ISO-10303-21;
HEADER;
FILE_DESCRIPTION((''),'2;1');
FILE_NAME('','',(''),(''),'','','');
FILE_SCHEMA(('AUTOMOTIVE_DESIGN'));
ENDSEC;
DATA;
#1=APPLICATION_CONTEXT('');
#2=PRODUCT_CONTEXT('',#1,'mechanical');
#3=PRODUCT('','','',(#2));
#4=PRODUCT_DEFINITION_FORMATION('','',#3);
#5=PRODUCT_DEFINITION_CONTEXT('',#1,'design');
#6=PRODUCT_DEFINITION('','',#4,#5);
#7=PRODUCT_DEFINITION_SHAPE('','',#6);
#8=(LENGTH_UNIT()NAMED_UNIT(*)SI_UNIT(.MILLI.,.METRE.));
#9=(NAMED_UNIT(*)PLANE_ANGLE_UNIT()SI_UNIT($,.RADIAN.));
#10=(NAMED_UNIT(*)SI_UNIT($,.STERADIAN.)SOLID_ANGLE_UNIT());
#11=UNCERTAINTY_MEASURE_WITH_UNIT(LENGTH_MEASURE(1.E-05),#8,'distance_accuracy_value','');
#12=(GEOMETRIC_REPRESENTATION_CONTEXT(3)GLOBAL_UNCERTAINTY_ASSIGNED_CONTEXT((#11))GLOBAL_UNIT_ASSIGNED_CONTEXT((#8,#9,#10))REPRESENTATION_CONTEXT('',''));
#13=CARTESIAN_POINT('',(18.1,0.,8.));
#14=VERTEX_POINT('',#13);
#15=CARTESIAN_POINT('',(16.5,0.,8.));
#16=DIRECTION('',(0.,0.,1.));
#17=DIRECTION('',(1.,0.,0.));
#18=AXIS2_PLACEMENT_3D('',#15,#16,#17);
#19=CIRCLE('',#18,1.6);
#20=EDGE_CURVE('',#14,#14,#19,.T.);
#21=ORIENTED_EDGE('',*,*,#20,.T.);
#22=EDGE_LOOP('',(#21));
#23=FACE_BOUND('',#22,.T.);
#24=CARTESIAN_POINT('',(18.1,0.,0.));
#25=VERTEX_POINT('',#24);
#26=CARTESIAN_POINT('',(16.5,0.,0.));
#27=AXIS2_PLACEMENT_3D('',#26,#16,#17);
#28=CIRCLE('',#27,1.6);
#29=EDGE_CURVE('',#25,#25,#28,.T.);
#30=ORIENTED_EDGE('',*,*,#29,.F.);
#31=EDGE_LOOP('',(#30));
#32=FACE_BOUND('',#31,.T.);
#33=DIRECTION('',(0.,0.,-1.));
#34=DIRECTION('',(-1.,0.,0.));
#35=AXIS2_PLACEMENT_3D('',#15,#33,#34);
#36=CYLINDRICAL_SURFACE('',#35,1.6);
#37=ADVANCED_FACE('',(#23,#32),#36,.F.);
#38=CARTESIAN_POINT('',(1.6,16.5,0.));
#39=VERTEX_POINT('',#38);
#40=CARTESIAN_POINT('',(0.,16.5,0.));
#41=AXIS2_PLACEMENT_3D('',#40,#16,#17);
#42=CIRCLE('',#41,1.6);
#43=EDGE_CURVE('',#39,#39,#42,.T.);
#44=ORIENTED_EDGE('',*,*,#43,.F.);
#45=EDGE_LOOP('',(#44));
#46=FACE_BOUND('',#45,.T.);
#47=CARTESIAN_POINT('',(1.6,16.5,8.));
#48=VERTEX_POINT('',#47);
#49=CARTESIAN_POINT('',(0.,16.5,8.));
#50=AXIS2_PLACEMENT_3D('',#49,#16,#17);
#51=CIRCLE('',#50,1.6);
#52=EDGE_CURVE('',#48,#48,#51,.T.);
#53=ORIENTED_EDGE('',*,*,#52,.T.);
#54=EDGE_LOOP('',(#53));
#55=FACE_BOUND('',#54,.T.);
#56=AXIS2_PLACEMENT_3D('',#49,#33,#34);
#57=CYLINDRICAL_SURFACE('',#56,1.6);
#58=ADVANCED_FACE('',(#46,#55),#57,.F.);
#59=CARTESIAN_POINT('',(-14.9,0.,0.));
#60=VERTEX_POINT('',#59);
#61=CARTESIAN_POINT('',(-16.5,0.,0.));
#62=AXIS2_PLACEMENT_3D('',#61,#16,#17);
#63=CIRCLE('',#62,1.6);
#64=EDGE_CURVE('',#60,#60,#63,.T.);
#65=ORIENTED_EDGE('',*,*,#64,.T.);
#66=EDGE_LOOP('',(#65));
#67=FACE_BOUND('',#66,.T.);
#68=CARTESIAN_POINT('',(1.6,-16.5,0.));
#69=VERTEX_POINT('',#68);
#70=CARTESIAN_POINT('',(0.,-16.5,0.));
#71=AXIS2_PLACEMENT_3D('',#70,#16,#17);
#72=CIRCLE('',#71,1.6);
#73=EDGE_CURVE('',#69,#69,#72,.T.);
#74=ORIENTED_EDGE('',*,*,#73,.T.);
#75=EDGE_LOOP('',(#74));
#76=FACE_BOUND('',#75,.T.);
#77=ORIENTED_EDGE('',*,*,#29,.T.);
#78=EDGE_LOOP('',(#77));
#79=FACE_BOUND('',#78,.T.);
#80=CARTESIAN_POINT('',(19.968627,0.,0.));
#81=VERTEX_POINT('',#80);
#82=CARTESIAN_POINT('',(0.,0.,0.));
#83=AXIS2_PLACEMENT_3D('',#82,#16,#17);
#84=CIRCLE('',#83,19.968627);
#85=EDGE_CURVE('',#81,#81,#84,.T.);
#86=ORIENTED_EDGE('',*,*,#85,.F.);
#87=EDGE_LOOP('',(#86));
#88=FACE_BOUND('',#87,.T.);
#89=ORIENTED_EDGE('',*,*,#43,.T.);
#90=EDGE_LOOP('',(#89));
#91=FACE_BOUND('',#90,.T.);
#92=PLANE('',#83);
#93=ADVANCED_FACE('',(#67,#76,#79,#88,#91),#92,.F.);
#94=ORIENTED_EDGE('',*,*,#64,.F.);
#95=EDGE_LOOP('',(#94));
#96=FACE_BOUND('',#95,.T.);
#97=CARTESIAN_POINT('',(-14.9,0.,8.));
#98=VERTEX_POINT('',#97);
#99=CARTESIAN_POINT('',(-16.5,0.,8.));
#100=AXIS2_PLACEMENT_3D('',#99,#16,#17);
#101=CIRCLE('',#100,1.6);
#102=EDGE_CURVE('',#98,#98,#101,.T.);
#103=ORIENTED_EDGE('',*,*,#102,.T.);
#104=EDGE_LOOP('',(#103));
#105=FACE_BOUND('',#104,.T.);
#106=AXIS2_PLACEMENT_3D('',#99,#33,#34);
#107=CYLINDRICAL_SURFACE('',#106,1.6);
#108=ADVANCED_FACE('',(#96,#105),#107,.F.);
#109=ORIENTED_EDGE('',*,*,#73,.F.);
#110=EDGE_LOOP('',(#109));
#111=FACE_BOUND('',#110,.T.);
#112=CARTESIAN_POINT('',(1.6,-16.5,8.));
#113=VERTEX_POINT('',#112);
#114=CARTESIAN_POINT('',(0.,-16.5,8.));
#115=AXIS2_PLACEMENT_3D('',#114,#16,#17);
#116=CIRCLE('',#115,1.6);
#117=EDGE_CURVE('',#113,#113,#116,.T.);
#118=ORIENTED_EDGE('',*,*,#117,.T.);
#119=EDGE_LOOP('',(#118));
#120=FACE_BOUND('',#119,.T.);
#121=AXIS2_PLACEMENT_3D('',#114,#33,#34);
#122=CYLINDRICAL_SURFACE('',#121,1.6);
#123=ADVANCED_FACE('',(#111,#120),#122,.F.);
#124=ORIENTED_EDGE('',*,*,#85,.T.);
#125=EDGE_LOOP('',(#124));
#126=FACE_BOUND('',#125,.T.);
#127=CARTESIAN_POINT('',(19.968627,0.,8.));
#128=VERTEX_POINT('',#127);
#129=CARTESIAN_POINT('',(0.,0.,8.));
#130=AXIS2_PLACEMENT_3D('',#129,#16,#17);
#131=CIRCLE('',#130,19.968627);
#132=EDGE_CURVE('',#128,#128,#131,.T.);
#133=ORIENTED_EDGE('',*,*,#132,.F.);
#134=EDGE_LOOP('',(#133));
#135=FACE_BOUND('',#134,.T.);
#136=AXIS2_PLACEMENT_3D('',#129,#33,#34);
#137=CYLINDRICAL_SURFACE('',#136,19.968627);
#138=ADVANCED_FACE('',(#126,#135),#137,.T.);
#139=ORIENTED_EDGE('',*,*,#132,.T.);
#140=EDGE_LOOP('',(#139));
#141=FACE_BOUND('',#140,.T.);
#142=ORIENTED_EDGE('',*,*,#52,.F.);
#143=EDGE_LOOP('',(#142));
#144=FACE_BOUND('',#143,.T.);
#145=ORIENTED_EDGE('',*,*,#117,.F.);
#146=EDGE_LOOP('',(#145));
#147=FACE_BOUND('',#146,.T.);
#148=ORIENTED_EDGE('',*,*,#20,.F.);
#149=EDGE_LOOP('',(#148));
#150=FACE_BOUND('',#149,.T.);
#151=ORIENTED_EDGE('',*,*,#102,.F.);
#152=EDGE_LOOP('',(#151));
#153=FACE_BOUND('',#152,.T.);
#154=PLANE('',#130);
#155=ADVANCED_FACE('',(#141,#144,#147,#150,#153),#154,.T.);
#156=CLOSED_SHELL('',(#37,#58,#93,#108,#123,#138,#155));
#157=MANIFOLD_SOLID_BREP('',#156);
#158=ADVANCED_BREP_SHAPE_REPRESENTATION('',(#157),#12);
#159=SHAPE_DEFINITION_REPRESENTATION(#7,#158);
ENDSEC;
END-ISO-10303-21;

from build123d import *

# Parameters (mm, degrees)
SKETCH2_R           = 19.968626967
SKETCH2_R_2         = 1.6
BOSS_EXTRUDE1_DEPTH = 8


with BuildPart() as part:
    # Sketch2 → Boss-Extrude1 (new body)
    with BuildSketch(Plane.XY):
        Circle(SKETCH2_R)
        with Locations((0, -16.5)):
            Circle(SKETCH2_R_2, mode=Mode.SUBTRACT)
        with Locations((-16.5, 0)):
            Circle(SKETCH2_R_2, mode=Mode.SUBTRACT)
        with Locations((0, 16.5)):
            Circle(SKETCH2_R_2, mode=Mode.SUBTRACT)
        with Locations((16.5, 0)):
            Circle(SKETCH2_R_2, mode=Mode.SUBTRACT)
    extrude(amount=BOSS_EXTRUDE1_DEPTH)


solid = part.part
